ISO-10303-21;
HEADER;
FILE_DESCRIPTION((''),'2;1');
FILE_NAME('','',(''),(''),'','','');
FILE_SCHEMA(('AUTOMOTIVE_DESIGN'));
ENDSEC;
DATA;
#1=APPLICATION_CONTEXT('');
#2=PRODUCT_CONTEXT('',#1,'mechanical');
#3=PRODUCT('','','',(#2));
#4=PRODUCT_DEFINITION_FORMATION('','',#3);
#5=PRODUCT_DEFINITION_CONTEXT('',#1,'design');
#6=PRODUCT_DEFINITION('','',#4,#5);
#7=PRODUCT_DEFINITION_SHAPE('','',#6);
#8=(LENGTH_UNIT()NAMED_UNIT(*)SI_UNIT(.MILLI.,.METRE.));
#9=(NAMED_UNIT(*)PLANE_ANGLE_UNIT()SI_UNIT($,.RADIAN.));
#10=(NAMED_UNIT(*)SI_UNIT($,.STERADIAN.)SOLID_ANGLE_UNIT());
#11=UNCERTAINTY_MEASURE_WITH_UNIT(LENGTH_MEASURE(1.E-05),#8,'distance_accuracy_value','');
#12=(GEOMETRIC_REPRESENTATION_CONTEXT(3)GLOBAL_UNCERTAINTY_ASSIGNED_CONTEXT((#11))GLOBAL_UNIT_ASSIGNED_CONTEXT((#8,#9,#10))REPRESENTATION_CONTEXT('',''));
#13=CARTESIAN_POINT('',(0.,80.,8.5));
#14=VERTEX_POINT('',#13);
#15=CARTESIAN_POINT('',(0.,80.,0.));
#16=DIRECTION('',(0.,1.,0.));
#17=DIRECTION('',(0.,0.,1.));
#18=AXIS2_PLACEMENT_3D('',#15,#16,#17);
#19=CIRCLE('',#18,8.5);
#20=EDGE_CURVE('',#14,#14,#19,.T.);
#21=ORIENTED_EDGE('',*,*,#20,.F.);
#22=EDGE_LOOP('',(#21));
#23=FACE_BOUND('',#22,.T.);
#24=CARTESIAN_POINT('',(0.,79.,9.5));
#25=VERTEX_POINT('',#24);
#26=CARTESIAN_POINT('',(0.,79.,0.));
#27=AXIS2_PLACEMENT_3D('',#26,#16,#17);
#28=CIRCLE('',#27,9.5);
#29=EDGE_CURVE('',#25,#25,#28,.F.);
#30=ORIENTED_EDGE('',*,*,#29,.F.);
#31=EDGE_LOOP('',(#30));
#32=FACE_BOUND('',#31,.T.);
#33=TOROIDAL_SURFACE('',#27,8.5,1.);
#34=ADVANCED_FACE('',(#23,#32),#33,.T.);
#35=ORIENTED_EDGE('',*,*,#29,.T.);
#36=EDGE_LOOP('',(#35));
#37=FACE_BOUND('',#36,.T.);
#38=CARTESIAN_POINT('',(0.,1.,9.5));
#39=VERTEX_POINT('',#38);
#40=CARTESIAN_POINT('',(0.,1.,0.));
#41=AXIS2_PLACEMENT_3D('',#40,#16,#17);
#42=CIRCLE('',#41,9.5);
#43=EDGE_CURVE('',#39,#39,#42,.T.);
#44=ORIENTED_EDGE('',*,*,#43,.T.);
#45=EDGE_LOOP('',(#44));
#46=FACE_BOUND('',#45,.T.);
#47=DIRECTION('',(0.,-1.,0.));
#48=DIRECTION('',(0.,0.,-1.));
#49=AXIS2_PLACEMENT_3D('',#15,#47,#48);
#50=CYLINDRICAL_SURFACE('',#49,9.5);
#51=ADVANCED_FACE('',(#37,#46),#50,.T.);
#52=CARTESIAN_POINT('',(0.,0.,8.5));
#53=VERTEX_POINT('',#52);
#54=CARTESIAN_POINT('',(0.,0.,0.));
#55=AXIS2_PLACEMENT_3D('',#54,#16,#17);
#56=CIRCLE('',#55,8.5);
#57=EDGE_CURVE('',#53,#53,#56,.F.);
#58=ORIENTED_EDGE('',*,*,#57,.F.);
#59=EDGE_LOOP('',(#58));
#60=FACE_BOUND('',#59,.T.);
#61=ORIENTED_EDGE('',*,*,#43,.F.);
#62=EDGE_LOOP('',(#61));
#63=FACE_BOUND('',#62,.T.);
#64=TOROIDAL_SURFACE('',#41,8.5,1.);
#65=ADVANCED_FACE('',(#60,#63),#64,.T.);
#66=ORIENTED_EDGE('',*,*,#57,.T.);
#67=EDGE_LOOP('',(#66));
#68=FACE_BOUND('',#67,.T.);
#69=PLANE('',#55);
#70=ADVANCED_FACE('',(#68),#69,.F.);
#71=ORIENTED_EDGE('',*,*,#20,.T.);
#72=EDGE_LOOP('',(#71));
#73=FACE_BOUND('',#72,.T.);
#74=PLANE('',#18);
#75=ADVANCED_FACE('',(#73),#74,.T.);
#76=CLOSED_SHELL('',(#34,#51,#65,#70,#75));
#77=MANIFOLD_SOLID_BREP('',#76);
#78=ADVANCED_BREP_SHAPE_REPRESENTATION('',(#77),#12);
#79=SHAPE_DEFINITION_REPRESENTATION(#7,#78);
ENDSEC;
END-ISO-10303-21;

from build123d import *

# Parameters (mm, degrees)
SKETCH_1_R      = 9.5
EXTRUDE_1_DEPTH = 80
FILLET_1_R      = 1


with BuildPart() as part:
    # 草图1 → 凸台-拉伸1 (new body)
    with BuildSketch(Plane(origin=(0, 0, 0), x_dir=(1, 0, 0), z_dir=(0, 1, 0))):
        with Locations(Location((0, 0, 0), (0, 0, 270))):
            Circle(SKETCH_1_R)
    extrude(amount=EXTRUDE_1_DEPTH)

    # 圆角1
    fillet_1_edges = [part.edges().sort_by_distance(p)[0] for p in [
        (0, 0, -9.5),
        (0, 80, -9.5),
    ]]
    fillet(fillet_1_edges, radius=FILLET_1_R)


solid = part.part
